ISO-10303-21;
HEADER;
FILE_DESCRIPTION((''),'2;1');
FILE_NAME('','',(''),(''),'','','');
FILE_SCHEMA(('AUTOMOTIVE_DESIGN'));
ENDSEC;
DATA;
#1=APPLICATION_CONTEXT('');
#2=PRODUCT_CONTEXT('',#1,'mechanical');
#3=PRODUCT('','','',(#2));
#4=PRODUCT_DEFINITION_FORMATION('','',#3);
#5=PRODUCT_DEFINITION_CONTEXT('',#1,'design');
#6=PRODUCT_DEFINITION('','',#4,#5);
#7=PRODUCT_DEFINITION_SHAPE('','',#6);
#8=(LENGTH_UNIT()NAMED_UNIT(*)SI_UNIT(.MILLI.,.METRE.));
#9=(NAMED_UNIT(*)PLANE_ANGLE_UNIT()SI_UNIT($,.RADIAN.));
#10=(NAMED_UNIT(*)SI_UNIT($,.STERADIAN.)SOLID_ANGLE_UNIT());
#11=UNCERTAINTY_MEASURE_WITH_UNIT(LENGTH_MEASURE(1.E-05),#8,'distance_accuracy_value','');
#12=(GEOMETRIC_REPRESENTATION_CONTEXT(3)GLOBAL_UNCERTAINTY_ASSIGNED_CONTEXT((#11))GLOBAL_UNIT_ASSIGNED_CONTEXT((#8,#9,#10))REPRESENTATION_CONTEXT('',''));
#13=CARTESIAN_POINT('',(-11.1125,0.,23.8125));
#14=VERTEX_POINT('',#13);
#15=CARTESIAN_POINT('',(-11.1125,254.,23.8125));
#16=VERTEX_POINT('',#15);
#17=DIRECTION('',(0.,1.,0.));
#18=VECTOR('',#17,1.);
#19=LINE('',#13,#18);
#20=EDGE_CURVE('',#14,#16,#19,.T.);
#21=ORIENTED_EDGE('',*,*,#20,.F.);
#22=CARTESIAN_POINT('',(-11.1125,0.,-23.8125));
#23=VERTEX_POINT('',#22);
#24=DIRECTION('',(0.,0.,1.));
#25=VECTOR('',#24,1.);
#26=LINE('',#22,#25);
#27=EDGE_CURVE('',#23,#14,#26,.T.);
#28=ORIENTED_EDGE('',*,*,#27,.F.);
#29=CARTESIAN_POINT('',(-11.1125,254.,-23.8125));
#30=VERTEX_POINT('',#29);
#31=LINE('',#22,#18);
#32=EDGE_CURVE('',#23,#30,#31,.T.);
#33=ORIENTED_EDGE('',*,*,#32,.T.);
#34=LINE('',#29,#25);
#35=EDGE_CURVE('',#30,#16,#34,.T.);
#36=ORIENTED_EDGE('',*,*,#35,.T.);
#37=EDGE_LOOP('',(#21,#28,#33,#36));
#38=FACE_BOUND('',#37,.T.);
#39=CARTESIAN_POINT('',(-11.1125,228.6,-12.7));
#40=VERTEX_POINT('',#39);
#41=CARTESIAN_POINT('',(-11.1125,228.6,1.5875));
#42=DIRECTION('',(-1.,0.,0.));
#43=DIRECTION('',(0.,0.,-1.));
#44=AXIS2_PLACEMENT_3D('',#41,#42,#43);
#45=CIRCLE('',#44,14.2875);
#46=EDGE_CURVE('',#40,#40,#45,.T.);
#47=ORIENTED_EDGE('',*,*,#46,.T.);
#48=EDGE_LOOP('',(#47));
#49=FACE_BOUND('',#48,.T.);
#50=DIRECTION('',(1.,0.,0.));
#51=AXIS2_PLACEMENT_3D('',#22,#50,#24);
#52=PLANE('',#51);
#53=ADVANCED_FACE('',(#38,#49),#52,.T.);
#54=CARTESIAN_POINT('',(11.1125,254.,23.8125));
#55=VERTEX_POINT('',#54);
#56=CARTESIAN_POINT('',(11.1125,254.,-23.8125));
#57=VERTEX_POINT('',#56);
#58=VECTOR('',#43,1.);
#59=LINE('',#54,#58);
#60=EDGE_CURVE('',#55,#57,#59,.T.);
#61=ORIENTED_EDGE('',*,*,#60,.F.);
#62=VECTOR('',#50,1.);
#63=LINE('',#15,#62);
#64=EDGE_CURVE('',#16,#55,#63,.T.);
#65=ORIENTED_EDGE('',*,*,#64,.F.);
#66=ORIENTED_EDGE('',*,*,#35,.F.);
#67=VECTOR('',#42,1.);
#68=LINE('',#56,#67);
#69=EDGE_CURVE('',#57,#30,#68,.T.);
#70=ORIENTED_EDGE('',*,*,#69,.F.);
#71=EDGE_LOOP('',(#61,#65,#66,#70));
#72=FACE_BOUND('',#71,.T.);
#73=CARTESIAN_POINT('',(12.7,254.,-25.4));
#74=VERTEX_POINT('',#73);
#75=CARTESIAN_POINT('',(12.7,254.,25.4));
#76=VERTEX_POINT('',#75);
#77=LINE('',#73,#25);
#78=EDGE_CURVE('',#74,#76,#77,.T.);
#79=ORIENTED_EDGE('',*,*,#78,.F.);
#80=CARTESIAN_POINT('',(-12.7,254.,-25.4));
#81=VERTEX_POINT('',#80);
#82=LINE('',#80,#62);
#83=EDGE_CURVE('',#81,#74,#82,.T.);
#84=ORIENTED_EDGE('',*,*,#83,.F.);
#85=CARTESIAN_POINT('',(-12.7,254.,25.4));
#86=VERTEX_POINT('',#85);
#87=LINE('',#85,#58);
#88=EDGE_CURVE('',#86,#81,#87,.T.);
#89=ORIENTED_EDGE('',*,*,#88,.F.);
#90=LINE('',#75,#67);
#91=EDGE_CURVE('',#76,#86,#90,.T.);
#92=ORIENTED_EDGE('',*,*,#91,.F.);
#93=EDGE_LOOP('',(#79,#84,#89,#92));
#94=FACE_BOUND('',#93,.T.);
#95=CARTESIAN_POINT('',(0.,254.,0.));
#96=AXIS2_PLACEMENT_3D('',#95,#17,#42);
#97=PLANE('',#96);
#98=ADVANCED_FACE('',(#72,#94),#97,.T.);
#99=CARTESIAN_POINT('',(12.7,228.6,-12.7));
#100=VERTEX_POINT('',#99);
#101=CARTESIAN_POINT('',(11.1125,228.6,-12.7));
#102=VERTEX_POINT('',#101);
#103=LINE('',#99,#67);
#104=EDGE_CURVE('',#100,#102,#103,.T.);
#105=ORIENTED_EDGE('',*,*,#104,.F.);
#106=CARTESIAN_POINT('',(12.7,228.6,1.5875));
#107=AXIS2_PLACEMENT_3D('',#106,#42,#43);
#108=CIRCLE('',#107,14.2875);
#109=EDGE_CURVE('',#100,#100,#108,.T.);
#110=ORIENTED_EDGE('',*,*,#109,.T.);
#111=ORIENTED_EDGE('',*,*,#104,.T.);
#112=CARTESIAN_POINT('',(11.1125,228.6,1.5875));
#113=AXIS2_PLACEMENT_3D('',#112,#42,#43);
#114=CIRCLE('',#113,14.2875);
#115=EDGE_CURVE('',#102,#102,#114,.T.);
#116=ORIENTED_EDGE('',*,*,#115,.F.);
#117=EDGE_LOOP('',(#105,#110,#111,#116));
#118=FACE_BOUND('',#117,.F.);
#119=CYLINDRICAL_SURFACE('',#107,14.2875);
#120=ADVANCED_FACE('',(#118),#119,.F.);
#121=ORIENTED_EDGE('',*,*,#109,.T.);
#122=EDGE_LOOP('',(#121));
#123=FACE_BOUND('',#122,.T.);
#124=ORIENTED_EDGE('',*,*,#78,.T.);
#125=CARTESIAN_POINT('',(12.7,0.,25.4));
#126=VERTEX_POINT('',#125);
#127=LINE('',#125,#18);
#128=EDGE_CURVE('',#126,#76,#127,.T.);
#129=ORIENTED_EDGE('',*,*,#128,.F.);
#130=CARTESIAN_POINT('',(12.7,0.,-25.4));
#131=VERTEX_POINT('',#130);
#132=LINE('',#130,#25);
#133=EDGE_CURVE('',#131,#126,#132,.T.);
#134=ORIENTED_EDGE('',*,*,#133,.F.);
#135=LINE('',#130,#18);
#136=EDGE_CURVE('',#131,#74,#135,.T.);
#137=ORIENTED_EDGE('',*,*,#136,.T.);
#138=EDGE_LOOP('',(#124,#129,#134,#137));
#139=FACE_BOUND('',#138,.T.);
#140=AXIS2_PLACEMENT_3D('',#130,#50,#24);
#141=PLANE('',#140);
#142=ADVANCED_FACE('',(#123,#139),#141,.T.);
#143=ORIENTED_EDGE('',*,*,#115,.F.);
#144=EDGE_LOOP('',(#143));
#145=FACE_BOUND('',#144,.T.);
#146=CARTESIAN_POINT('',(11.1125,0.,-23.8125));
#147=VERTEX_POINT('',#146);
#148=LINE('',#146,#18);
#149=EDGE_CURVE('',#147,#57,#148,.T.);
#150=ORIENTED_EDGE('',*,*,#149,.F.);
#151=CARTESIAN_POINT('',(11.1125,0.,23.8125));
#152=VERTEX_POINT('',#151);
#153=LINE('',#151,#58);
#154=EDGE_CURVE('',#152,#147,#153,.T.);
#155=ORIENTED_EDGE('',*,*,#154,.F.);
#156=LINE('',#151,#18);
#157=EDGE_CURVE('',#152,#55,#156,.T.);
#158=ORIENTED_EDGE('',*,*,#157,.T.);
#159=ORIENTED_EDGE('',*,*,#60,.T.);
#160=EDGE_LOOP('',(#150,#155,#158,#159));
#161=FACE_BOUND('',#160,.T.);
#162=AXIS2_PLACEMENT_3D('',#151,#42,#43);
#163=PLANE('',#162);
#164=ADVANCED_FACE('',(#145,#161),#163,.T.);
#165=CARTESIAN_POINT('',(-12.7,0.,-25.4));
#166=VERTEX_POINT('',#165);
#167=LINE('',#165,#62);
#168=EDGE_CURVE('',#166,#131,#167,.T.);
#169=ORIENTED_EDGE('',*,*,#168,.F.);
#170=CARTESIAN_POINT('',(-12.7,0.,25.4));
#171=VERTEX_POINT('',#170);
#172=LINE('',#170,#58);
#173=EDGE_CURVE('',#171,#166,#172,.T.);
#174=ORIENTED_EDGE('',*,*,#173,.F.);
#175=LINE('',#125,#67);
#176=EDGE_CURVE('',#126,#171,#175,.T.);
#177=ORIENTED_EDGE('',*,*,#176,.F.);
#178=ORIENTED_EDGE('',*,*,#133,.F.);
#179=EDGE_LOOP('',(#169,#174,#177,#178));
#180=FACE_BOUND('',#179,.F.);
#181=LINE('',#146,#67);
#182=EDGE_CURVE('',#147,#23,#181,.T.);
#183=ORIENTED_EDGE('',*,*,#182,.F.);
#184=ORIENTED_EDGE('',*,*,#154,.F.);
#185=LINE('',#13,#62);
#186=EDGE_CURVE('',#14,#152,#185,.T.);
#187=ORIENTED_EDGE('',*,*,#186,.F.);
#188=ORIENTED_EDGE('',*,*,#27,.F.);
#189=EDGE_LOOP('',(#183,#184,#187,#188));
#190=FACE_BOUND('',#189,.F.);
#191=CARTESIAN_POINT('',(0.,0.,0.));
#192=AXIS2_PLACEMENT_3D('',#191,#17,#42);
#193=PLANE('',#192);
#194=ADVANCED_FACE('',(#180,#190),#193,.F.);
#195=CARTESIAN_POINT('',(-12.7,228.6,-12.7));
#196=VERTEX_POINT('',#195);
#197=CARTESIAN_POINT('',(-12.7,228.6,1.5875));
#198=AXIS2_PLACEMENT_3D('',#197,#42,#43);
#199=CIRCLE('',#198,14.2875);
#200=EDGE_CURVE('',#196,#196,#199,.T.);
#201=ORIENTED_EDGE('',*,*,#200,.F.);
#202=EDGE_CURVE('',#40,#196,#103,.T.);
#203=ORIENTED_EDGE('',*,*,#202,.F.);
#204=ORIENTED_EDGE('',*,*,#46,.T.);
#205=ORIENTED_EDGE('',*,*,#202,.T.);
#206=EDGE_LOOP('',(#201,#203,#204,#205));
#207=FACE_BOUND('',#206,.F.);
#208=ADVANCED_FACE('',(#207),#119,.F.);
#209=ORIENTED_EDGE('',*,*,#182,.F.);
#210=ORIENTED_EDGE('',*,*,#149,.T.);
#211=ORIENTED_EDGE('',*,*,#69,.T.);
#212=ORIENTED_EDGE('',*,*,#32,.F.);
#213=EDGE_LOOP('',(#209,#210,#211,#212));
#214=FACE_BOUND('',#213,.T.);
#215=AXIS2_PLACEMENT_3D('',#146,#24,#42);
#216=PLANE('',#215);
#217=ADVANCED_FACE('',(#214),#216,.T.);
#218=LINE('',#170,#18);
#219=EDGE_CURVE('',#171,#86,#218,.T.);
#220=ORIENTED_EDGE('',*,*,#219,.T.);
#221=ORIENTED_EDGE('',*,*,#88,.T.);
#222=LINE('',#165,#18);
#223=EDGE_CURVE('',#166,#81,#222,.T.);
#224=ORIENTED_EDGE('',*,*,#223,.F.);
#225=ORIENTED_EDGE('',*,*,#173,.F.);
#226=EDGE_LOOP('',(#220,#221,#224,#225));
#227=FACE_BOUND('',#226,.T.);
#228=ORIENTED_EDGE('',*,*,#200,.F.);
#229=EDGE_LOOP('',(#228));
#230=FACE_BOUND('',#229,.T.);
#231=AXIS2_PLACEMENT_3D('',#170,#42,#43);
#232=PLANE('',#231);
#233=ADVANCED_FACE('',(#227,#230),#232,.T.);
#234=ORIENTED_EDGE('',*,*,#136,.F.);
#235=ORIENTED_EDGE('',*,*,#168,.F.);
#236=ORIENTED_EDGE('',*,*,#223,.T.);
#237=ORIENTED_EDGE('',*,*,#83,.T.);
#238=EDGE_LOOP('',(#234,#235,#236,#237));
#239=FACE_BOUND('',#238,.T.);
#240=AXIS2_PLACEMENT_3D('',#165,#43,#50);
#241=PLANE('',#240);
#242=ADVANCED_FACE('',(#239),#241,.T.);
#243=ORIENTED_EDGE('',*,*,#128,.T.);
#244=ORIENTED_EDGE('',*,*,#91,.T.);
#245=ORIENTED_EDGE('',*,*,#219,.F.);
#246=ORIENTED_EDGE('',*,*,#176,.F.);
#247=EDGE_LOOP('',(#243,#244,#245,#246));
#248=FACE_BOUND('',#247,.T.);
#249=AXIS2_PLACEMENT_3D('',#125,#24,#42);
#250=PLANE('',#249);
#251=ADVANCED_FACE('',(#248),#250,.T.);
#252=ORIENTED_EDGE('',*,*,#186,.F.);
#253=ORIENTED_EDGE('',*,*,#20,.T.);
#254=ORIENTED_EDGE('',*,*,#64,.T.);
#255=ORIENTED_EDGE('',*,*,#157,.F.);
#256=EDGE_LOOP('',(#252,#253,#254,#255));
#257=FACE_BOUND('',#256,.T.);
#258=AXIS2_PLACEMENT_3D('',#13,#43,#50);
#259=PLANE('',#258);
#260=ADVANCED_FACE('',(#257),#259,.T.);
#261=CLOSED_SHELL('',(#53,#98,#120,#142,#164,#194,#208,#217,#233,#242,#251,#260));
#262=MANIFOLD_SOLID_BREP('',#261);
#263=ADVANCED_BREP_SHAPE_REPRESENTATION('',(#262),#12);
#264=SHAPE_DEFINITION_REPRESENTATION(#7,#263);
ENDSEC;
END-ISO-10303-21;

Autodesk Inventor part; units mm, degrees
ref_plane "YZ Plane" through (0, 0, 0) normal (1, 0, 0) x (0, 1, 0)
ref_plane "XZ Plane" through (0, 0, 0) normal (0, 1, 0) x (-1, 0, 0)
ref_plane "XY Plane" through (0, 0, 0) normal (0, 0, 1) x (1, 0, 0)
sketch "Sketch1" plane through (0, 0, 0) normal (0, 1, 0) x (-1, 0, 0)
  line L0 (-12.7, 25.4) -> (12.7, 25.4)
  line L1 (12.7, 25.4) -> (12.7, -25.4)
  line L2 (12.7, -25.4) -> (-12.7, -25.4)
  line L3 (-12.7, -25.4) -> (-12.7, 25.4)
  line L4 (-12.7, 25.4) -> (12.7, -25.4) construction
  line L5 (12.7, 25.4) -> (-12.7, -25.4) construction
  line L6 (11.1125, 23.8125) -> (-11.1125, 23.8125)
  line L7 (-11.1125, 23.8125) -> (-11.1125, -23.8125)
  line L8 (-11.1125, -23.8125) -> (11.1125, -23.8125)
  line L9 (11.1125, -23.8125) -> (11.1125, 23.8125)
  line L10 (11.1125, 23.8125) -> (-11.1125, -23.8125) construction
  line L11 (-11.1125, 23.8125) -> (11.1125, -23.8125) construction
  point P0 (0, 0)
  dimension "d0" = 25.4
  dimension "d1" = 50.8
  dimension "d2" = 22.225
  dimension "d3" = 47.625
extrude "Extrusion1" add sketch "Sketch1" along normal blind 254
sketch "Sketch2" plane through (12.7, 0, 25.4) normal (1, 0, 0) x (0, 0, -1)
  line L0 (0, 254) -> (50.8, 254) projected
  line L1 (49.2125, 0) -> (49.2125, 254) projected
  point P0 (25.4, 0)
  point P1 (23.8125, 228.6)
  dimension "d13" = 25.4
  dimension "d14" = 25.4
hole "Hole1" at (12.7, 228.6, 1.5875) direction (-1, 0, 0) diameter 28.575 end through all
properties part number "2x1 Top" material "Aluminum 6061"
